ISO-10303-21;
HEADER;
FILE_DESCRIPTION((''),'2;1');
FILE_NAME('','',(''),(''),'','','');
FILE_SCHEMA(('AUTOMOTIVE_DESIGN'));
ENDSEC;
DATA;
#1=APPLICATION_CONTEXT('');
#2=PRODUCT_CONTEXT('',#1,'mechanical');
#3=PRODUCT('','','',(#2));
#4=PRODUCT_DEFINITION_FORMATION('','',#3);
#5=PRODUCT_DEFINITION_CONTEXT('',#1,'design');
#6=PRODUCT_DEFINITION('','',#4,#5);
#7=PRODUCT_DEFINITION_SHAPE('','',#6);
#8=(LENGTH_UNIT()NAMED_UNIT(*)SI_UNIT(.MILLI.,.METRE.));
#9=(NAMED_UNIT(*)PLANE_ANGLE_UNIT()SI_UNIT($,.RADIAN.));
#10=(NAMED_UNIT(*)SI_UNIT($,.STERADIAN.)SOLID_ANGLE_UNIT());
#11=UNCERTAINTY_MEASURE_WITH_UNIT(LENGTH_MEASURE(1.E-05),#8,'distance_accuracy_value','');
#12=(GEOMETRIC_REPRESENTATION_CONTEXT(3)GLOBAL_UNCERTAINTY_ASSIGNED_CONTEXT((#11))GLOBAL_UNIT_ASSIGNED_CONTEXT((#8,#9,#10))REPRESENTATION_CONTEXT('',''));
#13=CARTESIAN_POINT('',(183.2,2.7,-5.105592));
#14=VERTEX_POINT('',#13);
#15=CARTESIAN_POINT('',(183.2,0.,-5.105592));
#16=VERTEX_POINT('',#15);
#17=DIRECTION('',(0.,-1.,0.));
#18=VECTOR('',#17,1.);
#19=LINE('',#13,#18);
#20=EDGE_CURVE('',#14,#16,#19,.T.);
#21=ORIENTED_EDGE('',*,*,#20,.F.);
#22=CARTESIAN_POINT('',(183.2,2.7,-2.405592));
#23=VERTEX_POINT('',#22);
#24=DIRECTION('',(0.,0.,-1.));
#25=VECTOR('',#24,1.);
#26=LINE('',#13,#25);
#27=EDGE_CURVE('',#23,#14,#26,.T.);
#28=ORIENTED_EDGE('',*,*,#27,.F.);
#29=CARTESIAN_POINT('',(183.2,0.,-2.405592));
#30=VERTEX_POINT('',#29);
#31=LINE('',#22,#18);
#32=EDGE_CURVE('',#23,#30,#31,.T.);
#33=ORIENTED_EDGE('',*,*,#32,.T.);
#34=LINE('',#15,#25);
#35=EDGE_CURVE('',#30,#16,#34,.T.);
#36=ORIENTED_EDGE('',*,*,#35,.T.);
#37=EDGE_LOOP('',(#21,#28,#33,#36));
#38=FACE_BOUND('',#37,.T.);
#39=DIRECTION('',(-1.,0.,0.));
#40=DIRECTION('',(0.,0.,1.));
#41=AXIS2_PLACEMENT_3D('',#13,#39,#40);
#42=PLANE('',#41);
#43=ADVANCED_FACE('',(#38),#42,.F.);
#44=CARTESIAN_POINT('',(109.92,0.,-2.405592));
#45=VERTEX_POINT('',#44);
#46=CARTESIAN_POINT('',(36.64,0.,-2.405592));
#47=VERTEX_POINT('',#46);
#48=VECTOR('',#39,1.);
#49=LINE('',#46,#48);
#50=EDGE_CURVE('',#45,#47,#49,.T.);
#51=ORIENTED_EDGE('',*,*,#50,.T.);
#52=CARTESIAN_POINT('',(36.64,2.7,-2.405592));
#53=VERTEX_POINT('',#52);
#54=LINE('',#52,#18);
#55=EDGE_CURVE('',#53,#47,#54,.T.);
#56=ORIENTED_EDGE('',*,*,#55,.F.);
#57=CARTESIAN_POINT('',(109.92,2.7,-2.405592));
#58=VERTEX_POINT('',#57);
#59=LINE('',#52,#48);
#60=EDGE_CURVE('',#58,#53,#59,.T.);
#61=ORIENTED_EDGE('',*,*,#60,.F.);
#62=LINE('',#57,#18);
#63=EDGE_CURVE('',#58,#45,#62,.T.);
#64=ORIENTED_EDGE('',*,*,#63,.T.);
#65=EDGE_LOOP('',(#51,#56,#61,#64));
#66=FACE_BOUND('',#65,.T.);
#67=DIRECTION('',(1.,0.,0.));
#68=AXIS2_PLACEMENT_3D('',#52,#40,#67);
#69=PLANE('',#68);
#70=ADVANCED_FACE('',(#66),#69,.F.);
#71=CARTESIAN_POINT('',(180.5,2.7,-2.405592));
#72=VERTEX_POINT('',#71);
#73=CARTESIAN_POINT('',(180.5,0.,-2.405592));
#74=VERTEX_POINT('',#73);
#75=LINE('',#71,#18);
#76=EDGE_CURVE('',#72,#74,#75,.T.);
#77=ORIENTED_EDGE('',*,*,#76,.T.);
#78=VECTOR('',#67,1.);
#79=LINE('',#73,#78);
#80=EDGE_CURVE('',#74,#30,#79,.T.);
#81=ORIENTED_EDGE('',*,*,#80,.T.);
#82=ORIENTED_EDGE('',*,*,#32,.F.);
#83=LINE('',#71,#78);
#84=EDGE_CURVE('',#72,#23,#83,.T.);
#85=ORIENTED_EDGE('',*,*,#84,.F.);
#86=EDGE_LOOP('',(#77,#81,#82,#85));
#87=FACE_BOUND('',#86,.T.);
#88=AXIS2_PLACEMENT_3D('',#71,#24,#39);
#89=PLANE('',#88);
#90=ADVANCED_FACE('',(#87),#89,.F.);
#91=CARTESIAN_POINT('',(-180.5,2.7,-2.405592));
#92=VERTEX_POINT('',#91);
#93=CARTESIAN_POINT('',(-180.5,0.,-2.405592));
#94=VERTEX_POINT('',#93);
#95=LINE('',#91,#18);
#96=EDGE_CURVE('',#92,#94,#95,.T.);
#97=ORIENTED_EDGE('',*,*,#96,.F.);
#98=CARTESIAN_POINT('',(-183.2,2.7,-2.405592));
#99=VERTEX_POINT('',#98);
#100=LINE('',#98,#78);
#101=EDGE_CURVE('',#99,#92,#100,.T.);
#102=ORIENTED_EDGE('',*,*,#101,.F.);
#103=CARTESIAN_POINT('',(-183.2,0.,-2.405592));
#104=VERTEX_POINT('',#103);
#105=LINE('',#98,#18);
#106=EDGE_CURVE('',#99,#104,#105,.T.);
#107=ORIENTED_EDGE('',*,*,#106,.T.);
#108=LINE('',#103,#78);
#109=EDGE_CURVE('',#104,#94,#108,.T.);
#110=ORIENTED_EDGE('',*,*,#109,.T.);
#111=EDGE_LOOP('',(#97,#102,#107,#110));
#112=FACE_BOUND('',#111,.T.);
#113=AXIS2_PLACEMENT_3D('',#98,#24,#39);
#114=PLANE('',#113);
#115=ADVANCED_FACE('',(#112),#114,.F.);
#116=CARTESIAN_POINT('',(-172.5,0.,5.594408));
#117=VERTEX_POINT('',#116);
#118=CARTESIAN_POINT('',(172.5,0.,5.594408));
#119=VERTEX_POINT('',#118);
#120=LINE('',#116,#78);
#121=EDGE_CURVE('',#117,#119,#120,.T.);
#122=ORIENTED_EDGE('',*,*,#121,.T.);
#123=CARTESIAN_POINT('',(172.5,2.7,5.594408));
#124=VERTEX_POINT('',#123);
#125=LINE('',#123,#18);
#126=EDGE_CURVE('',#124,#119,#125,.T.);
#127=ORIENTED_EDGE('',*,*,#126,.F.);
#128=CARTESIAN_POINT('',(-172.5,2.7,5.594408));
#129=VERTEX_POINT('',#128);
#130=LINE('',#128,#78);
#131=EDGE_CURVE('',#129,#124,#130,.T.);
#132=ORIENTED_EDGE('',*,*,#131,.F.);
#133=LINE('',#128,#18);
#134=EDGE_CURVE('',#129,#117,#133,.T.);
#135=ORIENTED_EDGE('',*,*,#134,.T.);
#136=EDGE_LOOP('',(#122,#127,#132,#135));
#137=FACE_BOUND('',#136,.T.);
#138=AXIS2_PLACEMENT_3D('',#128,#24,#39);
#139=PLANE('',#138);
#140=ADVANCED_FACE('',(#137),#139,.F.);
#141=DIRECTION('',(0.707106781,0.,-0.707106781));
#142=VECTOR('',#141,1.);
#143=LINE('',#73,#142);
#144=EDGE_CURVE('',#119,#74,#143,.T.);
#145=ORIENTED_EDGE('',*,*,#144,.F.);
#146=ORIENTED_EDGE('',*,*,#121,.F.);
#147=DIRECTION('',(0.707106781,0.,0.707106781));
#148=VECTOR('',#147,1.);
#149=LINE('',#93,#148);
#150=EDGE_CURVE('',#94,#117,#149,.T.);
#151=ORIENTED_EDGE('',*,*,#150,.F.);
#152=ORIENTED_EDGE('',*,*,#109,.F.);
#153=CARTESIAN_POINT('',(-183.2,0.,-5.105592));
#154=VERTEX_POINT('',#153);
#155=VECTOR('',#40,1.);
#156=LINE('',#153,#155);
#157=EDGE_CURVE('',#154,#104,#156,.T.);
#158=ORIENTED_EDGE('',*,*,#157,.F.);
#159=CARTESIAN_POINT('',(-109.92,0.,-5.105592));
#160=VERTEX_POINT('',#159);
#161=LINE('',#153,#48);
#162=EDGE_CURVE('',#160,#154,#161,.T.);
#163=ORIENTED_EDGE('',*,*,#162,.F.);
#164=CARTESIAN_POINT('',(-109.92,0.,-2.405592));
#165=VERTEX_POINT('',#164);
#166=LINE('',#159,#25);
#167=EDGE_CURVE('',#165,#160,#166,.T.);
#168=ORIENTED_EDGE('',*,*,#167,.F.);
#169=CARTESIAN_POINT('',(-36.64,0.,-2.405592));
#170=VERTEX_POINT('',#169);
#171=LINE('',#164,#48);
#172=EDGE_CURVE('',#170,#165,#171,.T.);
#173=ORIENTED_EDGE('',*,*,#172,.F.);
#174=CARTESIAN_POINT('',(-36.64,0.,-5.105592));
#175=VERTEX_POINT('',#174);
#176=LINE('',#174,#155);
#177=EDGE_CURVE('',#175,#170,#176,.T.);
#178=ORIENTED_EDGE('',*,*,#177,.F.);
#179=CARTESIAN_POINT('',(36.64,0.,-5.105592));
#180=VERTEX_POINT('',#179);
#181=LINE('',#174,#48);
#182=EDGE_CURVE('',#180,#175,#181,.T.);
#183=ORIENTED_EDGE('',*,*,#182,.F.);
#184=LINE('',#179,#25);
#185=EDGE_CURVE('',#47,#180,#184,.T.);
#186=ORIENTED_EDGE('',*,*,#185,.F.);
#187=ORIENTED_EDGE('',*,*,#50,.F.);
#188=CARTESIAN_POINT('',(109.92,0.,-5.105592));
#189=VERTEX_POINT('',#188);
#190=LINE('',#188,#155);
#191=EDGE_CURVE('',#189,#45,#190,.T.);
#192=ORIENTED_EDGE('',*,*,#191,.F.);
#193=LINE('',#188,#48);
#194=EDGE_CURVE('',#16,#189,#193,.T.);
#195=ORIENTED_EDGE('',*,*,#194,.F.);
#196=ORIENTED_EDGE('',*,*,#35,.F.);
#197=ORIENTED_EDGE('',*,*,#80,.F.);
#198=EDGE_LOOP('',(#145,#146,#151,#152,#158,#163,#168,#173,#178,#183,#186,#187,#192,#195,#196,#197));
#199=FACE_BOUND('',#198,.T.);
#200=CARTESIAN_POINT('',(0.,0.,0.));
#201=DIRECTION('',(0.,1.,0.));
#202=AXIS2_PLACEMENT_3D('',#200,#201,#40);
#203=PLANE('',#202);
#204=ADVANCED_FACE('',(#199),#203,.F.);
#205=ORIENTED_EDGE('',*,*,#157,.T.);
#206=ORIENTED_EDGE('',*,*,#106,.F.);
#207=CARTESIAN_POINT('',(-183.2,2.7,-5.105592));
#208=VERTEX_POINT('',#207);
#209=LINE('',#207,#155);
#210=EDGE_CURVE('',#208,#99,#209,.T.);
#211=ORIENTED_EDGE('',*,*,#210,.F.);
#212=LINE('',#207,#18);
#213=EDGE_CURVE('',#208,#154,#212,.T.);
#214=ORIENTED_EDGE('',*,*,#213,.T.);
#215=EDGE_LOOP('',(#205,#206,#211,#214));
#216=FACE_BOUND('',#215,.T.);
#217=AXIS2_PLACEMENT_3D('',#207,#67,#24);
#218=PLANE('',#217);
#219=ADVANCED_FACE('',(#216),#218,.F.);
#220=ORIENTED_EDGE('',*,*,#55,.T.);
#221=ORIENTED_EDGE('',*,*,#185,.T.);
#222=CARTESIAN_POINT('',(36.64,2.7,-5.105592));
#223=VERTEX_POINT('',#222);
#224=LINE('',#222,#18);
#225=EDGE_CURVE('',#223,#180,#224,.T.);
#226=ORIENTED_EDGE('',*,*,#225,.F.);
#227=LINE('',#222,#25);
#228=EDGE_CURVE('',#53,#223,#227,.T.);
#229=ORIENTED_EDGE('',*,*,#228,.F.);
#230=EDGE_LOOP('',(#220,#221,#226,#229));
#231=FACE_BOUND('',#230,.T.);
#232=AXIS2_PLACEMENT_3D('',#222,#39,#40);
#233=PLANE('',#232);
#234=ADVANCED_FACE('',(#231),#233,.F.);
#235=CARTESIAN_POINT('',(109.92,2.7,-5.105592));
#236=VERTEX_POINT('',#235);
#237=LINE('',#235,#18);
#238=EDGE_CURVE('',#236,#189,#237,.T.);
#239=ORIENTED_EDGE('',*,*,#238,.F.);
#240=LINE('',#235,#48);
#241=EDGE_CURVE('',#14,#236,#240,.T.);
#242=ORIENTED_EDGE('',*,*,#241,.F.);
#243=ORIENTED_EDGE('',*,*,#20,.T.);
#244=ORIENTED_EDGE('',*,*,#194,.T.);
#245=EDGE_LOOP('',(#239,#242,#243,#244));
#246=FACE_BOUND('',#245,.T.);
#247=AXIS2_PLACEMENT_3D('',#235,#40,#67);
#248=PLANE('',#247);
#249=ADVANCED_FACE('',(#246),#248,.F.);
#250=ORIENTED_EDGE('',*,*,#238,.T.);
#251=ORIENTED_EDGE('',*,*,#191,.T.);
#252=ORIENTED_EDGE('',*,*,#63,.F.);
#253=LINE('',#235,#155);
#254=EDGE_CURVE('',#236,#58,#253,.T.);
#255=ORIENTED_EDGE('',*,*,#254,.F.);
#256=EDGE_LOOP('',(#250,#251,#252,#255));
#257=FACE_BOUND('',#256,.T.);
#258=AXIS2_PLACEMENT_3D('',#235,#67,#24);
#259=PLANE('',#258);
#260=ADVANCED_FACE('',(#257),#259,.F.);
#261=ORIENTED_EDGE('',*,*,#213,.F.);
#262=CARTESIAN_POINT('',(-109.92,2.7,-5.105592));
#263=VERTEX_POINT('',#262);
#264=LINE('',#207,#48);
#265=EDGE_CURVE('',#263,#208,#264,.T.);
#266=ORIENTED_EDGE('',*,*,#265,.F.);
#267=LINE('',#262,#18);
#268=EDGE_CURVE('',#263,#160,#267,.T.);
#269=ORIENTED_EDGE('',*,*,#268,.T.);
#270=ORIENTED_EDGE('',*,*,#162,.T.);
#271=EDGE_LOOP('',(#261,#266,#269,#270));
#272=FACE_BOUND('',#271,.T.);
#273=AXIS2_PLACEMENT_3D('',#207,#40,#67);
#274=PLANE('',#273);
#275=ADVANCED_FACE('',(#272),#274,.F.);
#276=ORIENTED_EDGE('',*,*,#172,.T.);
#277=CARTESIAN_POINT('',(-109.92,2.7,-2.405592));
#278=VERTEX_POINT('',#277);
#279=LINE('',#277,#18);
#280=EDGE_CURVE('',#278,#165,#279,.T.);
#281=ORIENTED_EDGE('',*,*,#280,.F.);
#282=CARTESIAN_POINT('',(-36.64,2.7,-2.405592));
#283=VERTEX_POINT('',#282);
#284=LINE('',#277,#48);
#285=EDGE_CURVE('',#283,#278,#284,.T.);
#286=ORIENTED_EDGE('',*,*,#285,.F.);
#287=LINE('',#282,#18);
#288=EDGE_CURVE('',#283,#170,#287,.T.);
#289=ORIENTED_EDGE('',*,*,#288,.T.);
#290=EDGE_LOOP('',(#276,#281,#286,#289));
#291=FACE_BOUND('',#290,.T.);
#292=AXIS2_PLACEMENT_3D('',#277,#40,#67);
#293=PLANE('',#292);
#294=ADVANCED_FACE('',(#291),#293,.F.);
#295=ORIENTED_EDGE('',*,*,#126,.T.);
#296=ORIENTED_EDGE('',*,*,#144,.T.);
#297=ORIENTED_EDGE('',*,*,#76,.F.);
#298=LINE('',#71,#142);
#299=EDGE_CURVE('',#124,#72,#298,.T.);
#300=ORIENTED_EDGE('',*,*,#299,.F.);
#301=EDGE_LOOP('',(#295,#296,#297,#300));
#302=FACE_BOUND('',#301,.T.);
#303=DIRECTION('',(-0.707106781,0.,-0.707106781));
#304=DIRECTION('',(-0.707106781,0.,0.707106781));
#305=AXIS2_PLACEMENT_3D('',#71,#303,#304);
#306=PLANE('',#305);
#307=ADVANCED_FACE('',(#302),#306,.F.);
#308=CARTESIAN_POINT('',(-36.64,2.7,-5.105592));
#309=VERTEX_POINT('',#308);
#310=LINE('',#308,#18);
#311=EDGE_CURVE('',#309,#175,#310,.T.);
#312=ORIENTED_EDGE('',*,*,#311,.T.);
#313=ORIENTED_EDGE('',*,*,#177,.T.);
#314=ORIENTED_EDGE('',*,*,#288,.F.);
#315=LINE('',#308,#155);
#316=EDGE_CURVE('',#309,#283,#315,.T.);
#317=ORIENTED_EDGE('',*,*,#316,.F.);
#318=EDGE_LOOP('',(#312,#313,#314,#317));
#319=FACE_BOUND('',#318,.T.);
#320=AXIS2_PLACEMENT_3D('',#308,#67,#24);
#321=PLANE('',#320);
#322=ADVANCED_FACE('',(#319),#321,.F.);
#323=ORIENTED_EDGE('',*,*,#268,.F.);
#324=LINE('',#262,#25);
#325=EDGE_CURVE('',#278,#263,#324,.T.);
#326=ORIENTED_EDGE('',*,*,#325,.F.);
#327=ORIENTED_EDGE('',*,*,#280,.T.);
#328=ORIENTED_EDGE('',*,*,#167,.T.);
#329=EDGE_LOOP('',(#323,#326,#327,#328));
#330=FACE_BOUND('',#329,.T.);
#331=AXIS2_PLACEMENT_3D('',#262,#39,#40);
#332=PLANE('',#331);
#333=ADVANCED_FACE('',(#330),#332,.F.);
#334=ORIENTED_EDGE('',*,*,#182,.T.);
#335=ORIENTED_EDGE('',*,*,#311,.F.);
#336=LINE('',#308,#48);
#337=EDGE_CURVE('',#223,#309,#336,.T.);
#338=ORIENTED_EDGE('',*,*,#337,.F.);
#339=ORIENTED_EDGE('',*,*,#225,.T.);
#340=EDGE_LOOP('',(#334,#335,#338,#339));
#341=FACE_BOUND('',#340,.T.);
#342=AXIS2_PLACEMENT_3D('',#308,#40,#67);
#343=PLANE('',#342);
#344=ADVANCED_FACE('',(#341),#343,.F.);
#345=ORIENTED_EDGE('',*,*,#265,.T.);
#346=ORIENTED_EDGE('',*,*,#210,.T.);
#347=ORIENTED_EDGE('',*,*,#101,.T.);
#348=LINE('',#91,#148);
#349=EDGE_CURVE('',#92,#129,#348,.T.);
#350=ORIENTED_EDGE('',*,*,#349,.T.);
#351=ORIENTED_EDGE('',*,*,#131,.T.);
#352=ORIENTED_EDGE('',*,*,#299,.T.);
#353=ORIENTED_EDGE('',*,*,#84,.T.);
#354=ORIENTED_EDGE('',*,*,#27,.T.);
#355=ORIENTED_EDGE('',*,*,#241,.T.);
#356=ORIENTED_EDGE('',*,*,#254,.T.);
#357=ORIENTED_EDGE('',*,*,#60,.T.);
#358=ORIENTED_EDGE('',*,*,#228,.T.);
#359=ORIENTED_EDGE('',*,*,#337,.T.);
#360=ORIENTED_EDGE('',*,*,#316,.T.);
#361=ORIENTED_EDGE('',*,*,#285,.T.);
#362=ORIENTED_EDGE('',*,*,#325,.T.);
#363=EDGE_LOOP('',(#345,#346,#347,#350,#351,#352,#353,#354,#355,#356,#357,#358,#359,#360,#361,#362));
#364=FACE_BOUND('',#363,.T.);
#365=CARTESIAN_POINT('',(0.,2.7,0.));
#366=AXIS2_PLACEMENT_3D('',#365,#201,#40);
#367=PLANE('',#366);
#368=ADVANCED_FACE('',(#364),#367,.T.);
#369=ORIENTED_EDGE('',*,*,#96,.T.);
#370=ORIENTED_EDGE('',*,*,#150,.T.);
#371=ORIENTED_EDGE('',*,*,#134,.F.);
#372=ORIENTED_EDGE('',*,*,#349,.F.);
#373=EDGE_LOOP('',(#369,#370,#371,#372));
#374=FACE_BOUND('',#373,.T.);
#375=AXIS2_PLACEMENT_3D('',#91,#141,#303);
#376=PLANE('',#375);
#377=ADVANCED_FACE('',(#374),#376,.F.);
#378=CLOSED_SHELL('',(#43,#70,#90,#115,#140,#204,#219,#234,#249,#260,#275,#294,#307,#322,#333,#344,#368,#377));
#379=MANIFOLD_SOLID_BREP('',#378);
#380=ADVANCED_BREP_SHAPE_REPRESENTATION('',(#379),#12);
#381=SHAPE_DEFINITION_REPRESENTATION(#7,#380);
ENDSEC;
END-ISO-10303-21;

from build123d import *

# Parameters (mm, degrees)
BOSS_EXTRUDE1_DEPTH = 2.7


with BuildPart() as part:
    # Sketch1 → Boss-Extrude1 (new body)
    with BuildSketch(Plane(origin=(0, 0, 0), x_dir=(1, 0, 0), z_dir=(0, 1, 0))):
        Polygon((-183.2, 2.405591569), (-180.5, 2.405591569), (-172.5, -5.594408431), (172.5, -5.594408431), (180.5, 2.405591569), (183.2, 2.405591569), (183.2, 5.105591569), (109.92, 5.105591569), (109.92, 2.405591569), (36.64, 2.405591569), (36.64, 5.105591569), (-36.64, 5.105591569), (-36.64, 2.405591569), (-109.92, 2.405591569), (-109.92, 5.105591569), (-183.2, 5.105591569), align=None)
    extrude(amount=BOSS_EXTRUDE1_DEPTH)


solid = part.part
